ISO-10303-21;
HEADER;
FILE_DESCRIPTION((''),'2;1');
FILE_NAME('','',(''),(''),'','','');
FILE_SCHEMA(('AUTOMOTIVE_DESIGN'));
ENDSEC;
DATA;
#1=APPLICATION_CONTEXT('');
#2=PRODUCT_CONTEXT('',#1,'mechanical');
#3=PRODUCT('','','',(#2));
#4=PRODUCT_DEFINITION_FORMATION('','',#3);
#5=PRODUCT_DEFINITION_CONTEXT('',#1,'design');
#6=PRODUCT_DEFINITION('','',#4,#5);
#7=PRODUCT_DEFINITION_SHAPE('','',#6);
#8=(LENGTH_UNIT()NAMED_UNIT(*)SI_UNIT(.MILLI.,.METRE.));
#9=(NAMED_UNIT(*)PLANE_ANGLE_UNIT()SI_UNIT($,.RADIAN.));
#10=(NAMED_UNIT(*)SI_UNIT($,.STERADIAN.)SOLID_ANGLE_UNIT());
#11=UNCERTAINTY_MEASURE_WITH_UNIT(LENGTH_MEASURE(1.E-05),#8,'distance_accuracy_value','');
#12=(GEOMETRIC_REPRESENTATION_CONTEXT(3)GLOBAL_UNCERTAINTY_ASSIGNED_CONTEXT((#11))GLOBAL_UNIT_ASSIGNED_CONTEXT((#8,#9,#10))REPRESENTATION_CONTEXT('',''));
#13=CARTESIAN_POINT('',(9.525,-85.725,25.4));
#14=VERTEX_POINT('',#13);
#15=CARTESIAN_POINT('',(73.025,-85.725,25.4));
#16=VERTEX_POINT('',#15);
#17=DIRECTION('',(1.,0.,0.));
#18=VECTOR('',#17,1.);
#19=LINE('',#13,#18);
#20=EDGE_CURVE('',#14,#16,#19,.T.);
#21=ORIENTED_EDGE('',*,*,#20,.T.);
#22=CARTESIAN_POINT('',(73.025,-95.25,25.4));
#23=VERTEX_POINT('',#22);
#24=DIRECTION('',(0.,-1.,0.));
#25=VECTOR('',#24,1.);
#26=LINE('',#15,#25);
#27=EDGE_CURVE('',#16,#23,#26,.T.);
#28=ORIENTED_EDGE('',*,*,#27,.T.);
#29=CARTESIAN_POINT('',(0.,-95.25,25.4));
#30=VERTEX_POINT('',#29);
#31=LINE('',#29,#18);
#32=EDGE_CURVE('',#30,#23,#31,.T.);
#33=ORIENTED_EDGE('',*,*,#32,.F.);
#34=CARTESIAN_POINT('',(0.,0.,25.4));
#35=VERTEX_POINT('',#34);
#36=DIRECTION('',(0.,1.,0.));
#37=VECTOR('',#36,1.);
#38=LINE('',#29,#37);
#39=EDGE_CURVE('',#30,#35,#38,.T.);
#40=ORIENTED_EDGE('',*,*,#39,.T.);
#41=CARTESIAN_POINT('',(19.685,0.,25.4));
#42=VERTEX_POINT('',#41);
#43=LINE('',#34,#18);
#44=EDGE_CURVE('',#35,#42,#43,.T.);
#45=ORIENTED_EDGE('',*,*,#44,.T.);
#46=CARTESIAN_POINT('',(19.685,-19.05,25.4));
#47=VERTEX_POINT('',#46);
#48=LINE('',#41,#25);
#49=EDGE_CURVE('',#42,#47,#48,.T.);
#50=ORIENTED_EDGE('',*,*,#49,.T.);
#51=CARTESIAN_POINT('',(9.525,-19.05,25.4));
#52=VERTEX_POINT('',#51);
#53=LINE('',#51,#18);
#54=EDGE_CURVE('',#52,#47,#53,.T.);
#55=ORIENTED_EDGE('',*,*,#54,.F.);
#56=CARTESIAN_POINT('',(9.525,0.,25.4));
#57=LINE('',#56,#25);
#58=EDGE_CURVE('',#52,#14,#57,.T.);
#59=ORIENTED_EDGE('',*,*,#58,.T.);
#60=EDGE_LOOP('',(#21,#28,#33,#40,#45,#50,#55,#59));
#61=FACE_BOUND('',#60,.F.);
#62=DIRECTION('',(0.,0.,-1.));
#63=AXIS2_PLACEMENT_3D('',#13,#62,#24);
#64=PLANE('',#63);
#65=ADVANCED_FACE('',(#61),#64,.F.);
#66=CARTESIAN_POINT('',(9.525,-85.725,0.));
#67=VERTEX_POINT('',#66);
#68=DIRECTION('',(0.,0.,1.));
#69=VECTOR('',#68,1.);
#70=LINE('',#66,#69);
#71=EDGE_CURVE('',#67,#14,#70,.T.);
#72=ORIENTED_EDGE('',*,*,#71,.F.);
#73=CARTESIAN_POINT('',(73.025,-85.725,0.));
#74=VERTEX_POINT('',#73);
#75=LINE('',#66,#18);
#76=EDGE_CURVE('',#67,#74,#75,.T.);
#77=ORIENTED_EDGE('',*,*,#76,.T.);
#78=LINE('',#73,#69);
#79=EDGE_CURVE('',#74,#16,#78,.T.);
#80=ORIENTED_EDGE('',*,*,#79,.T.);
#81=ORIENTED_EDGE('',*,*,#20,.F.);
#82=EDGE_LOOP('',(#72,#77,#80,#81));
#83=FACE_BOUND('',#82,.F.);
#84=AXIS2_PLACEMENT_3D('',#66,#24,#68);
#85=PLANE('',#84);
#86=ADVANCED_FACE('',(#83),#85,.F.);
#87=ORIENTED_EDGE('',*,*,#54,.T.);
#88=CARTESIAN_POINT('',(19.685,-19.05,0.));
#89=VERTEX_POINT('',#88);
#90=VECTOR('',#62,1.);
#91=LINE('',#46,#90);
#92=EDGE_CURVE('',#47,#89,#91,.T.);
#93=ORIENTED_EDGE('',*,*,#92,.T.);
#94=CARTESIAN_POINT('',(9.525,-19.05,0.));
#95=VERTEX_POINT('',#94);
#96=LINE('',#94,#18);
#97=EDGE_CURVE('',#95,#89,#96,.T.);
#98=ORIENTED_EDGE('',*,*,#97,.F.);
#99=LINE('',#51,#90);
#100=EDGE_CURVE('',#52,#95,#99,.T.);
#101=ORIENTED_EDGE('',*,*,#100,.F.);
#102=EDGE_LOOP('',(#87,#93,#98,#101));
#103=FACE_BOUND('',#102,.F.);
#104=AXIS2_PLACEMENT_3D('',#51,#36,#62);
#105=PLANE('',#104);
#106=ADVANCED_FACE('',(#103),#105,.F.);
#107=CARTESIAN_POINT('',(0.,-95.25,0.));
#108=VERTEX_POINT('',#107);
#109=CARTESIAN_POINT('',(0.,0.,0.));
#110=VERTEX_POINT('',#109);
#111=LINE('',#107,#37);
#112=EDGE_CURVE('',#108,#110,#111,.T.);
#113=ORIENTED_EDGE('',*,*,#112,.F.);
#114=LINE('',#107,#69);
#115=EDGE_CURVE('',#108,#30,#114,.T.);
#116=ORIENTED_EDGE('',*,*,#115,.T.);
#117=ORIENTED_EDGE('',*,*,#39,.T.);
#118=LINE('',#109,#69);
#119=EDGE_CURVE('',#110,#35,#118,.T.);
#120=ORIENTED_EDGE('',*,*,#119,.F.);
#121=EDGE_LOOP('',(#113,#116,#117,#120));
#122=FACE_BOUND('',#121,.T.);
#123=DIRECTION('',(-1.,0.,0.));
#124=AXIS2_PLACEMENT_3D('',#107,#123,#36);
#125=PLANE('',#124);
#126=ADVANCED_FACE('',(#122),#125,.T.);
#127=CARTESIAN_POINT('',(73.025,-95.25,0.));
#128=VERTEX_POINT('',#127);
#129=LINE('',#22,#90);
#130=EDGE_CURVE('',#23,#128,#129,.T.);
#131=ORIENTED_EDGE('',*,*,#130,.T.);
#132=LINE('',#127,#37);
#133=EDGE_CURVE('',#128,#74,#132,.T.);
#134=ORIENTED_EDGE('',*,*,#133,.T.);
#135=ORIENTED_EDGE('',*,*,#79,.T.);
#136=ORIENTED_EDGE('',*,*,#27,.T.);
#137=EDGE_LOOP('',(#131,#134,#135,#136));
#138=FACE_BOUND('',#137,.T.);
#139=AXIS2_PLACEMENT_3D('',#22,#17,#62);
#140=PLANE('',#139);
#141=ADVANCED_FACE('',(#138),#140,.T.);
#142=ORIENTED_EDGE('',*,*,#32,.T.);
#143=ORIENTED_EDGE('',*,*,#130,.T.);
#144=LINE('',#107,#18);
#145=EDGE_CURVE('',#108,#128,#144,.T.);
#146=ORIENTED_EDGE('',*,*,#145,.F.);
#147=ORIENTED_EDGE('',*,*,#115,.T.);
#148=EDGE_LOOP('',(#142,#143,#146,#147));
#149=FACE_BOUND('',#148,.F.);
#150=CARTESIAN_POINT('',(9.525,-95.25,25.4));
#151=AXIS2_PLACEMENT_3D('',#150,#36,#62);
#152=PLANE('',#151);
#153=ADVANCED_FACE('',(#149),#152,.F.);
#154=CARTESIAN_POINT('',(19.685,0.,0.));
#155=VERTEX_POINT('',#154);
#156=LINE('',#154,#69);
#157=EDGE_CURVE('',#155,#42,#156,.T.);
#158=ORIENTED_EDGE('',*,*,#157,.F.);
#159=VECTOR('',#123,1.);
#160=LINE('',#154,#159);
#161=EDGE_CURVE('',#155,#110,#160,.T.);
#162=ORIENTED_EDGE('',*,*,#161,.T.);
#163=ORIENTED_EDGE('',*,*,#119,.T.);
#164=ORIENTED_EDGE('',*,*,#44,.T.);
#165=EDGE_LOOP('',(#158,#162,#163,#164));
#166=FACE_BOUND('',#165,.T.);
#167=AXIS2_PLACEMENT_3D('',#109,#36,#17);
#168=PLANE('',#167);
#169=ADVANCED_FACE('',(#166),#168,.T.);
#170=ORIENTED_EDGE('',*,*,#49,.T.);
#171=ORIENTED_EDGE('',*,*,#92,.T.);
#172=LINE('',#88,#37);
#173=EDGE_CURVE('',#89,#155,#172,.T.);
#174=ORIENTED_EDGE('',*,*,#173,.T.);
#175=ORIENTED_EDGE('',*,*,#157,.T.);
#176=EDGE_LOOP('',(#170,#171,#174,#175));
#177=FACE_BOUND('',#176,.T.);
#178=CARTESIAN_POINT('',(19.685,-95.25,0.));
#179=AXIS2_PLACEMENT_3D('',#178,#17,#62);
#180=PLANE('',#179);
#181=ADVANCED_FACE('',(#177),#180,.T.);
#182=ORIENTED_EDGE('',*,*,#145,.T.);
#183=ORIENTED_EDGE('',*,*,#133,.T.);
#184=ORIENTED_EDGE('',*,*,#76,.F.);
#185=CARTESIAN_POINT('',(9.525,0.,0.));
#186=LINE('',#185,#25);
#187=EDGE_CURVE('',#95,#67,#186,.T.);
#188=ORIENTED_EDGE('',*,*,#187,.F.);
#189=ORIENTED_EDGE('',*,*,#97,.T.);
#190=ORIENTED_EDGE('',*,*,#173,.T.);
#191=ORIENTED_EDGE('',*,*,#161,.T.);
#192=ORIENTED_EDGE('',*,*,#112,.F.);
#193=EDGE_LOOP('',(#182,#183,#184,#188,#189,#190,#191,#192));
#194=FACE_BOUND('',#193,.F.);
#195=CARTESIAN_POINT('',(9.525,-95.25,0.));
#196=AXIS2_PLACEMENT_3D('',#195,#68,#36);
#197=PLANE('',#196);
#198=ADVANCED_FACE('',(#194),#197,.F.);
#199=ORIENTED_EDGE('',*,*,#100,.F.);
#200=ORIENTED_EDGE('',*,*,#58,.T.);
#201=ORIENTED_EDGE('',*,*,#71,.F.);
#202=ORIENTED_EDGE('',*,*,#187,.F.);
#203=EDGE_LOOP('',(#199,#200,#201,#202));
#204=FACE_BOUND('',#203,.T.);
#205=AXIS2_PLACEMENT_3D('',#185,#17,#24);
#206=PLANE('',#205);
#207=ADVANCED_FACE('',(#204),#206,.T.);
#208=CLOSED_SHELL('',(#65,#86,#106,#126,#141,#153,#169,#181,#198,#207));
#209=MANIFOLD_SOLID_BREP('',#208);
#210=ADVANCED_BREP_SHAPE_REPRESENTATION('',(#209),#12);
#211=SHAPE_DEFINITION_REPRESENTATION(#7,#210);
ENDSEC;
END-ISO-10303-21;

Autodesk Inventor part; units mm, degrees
ref_plane "YZ Plane" through (0, 0, 0) normal (1, 0, 0) x (0, 1, 0)
ref_plane "XZ Plane" through (0, 0, 0) normal (0, 1, 0) x (-1, 0, 0)
ref_plane "XY Plane" through (0, 0, 0) normal (0, 0, 1) x (1, 0, 0)
sketch "Sketch1" plane through (0, 0, 0) normal (0, 0, 1) x (1, 0, 0)
  line L0 (0, 0) -> (9.525, 0)
  line L1 (9.525, 0) -> (9.525, -95.25)
  line L2 (9.525, -95.25) -> (0, -95.25)
  line L3 (0, -95.25) -> (0, 0)
  dimension "d0" = 9.525
  dimension "d1" = 95.25
extrude "Extrusion1" add sketch "Sketch1" along normal blind 25.4
sketch "Sketch2" plane through (9.525, -95.25, 0) normal (1, 0, 0) x (0, 0, -1)
  line L0 (-25.4, 95.25) -> (-25.4, 0) projected
  line L1 (0, 95.25) -> (-25.4, 95.25)
  line L2 (-25.4, 95.25) -> (-25.4, 76.2)
  line L3 (-25.4, 76.2) -> (0, 76.2)
  line L4 (0, 76.2) -> (0, 95.25)
  dimension "d4" = 19.05
extrude "Extrusion2" add sketch "Sketch2" along normal blind 10.16
sketch "Sketch3" plane through (9.525, -95.25, 25.4) normal (1, 0, 0) x (0, 0, -1)
  line L0 (0, 0) -> (25.4, 0)
  line L1 (25.4, 0) -> (25.4, 9.525)
  line L2 (25.4, 9.525) -> (0, 9.525)
  line L3 (0, 9.525) -> (0, 0)
  point P0 (25.4, 95.25)
  dimension "d7" = 25.4
  dimension "d8" = 9.525
extrude "Extrusion3" add sketch "Sketch3" along normal blind 63.5
sketch "Sketch6" plane through (0, 0, 25.4) normal (0, 0, 1) x (1, 0, 0)
  point P0 (0, 0)
properties part number "door stop supreme"
